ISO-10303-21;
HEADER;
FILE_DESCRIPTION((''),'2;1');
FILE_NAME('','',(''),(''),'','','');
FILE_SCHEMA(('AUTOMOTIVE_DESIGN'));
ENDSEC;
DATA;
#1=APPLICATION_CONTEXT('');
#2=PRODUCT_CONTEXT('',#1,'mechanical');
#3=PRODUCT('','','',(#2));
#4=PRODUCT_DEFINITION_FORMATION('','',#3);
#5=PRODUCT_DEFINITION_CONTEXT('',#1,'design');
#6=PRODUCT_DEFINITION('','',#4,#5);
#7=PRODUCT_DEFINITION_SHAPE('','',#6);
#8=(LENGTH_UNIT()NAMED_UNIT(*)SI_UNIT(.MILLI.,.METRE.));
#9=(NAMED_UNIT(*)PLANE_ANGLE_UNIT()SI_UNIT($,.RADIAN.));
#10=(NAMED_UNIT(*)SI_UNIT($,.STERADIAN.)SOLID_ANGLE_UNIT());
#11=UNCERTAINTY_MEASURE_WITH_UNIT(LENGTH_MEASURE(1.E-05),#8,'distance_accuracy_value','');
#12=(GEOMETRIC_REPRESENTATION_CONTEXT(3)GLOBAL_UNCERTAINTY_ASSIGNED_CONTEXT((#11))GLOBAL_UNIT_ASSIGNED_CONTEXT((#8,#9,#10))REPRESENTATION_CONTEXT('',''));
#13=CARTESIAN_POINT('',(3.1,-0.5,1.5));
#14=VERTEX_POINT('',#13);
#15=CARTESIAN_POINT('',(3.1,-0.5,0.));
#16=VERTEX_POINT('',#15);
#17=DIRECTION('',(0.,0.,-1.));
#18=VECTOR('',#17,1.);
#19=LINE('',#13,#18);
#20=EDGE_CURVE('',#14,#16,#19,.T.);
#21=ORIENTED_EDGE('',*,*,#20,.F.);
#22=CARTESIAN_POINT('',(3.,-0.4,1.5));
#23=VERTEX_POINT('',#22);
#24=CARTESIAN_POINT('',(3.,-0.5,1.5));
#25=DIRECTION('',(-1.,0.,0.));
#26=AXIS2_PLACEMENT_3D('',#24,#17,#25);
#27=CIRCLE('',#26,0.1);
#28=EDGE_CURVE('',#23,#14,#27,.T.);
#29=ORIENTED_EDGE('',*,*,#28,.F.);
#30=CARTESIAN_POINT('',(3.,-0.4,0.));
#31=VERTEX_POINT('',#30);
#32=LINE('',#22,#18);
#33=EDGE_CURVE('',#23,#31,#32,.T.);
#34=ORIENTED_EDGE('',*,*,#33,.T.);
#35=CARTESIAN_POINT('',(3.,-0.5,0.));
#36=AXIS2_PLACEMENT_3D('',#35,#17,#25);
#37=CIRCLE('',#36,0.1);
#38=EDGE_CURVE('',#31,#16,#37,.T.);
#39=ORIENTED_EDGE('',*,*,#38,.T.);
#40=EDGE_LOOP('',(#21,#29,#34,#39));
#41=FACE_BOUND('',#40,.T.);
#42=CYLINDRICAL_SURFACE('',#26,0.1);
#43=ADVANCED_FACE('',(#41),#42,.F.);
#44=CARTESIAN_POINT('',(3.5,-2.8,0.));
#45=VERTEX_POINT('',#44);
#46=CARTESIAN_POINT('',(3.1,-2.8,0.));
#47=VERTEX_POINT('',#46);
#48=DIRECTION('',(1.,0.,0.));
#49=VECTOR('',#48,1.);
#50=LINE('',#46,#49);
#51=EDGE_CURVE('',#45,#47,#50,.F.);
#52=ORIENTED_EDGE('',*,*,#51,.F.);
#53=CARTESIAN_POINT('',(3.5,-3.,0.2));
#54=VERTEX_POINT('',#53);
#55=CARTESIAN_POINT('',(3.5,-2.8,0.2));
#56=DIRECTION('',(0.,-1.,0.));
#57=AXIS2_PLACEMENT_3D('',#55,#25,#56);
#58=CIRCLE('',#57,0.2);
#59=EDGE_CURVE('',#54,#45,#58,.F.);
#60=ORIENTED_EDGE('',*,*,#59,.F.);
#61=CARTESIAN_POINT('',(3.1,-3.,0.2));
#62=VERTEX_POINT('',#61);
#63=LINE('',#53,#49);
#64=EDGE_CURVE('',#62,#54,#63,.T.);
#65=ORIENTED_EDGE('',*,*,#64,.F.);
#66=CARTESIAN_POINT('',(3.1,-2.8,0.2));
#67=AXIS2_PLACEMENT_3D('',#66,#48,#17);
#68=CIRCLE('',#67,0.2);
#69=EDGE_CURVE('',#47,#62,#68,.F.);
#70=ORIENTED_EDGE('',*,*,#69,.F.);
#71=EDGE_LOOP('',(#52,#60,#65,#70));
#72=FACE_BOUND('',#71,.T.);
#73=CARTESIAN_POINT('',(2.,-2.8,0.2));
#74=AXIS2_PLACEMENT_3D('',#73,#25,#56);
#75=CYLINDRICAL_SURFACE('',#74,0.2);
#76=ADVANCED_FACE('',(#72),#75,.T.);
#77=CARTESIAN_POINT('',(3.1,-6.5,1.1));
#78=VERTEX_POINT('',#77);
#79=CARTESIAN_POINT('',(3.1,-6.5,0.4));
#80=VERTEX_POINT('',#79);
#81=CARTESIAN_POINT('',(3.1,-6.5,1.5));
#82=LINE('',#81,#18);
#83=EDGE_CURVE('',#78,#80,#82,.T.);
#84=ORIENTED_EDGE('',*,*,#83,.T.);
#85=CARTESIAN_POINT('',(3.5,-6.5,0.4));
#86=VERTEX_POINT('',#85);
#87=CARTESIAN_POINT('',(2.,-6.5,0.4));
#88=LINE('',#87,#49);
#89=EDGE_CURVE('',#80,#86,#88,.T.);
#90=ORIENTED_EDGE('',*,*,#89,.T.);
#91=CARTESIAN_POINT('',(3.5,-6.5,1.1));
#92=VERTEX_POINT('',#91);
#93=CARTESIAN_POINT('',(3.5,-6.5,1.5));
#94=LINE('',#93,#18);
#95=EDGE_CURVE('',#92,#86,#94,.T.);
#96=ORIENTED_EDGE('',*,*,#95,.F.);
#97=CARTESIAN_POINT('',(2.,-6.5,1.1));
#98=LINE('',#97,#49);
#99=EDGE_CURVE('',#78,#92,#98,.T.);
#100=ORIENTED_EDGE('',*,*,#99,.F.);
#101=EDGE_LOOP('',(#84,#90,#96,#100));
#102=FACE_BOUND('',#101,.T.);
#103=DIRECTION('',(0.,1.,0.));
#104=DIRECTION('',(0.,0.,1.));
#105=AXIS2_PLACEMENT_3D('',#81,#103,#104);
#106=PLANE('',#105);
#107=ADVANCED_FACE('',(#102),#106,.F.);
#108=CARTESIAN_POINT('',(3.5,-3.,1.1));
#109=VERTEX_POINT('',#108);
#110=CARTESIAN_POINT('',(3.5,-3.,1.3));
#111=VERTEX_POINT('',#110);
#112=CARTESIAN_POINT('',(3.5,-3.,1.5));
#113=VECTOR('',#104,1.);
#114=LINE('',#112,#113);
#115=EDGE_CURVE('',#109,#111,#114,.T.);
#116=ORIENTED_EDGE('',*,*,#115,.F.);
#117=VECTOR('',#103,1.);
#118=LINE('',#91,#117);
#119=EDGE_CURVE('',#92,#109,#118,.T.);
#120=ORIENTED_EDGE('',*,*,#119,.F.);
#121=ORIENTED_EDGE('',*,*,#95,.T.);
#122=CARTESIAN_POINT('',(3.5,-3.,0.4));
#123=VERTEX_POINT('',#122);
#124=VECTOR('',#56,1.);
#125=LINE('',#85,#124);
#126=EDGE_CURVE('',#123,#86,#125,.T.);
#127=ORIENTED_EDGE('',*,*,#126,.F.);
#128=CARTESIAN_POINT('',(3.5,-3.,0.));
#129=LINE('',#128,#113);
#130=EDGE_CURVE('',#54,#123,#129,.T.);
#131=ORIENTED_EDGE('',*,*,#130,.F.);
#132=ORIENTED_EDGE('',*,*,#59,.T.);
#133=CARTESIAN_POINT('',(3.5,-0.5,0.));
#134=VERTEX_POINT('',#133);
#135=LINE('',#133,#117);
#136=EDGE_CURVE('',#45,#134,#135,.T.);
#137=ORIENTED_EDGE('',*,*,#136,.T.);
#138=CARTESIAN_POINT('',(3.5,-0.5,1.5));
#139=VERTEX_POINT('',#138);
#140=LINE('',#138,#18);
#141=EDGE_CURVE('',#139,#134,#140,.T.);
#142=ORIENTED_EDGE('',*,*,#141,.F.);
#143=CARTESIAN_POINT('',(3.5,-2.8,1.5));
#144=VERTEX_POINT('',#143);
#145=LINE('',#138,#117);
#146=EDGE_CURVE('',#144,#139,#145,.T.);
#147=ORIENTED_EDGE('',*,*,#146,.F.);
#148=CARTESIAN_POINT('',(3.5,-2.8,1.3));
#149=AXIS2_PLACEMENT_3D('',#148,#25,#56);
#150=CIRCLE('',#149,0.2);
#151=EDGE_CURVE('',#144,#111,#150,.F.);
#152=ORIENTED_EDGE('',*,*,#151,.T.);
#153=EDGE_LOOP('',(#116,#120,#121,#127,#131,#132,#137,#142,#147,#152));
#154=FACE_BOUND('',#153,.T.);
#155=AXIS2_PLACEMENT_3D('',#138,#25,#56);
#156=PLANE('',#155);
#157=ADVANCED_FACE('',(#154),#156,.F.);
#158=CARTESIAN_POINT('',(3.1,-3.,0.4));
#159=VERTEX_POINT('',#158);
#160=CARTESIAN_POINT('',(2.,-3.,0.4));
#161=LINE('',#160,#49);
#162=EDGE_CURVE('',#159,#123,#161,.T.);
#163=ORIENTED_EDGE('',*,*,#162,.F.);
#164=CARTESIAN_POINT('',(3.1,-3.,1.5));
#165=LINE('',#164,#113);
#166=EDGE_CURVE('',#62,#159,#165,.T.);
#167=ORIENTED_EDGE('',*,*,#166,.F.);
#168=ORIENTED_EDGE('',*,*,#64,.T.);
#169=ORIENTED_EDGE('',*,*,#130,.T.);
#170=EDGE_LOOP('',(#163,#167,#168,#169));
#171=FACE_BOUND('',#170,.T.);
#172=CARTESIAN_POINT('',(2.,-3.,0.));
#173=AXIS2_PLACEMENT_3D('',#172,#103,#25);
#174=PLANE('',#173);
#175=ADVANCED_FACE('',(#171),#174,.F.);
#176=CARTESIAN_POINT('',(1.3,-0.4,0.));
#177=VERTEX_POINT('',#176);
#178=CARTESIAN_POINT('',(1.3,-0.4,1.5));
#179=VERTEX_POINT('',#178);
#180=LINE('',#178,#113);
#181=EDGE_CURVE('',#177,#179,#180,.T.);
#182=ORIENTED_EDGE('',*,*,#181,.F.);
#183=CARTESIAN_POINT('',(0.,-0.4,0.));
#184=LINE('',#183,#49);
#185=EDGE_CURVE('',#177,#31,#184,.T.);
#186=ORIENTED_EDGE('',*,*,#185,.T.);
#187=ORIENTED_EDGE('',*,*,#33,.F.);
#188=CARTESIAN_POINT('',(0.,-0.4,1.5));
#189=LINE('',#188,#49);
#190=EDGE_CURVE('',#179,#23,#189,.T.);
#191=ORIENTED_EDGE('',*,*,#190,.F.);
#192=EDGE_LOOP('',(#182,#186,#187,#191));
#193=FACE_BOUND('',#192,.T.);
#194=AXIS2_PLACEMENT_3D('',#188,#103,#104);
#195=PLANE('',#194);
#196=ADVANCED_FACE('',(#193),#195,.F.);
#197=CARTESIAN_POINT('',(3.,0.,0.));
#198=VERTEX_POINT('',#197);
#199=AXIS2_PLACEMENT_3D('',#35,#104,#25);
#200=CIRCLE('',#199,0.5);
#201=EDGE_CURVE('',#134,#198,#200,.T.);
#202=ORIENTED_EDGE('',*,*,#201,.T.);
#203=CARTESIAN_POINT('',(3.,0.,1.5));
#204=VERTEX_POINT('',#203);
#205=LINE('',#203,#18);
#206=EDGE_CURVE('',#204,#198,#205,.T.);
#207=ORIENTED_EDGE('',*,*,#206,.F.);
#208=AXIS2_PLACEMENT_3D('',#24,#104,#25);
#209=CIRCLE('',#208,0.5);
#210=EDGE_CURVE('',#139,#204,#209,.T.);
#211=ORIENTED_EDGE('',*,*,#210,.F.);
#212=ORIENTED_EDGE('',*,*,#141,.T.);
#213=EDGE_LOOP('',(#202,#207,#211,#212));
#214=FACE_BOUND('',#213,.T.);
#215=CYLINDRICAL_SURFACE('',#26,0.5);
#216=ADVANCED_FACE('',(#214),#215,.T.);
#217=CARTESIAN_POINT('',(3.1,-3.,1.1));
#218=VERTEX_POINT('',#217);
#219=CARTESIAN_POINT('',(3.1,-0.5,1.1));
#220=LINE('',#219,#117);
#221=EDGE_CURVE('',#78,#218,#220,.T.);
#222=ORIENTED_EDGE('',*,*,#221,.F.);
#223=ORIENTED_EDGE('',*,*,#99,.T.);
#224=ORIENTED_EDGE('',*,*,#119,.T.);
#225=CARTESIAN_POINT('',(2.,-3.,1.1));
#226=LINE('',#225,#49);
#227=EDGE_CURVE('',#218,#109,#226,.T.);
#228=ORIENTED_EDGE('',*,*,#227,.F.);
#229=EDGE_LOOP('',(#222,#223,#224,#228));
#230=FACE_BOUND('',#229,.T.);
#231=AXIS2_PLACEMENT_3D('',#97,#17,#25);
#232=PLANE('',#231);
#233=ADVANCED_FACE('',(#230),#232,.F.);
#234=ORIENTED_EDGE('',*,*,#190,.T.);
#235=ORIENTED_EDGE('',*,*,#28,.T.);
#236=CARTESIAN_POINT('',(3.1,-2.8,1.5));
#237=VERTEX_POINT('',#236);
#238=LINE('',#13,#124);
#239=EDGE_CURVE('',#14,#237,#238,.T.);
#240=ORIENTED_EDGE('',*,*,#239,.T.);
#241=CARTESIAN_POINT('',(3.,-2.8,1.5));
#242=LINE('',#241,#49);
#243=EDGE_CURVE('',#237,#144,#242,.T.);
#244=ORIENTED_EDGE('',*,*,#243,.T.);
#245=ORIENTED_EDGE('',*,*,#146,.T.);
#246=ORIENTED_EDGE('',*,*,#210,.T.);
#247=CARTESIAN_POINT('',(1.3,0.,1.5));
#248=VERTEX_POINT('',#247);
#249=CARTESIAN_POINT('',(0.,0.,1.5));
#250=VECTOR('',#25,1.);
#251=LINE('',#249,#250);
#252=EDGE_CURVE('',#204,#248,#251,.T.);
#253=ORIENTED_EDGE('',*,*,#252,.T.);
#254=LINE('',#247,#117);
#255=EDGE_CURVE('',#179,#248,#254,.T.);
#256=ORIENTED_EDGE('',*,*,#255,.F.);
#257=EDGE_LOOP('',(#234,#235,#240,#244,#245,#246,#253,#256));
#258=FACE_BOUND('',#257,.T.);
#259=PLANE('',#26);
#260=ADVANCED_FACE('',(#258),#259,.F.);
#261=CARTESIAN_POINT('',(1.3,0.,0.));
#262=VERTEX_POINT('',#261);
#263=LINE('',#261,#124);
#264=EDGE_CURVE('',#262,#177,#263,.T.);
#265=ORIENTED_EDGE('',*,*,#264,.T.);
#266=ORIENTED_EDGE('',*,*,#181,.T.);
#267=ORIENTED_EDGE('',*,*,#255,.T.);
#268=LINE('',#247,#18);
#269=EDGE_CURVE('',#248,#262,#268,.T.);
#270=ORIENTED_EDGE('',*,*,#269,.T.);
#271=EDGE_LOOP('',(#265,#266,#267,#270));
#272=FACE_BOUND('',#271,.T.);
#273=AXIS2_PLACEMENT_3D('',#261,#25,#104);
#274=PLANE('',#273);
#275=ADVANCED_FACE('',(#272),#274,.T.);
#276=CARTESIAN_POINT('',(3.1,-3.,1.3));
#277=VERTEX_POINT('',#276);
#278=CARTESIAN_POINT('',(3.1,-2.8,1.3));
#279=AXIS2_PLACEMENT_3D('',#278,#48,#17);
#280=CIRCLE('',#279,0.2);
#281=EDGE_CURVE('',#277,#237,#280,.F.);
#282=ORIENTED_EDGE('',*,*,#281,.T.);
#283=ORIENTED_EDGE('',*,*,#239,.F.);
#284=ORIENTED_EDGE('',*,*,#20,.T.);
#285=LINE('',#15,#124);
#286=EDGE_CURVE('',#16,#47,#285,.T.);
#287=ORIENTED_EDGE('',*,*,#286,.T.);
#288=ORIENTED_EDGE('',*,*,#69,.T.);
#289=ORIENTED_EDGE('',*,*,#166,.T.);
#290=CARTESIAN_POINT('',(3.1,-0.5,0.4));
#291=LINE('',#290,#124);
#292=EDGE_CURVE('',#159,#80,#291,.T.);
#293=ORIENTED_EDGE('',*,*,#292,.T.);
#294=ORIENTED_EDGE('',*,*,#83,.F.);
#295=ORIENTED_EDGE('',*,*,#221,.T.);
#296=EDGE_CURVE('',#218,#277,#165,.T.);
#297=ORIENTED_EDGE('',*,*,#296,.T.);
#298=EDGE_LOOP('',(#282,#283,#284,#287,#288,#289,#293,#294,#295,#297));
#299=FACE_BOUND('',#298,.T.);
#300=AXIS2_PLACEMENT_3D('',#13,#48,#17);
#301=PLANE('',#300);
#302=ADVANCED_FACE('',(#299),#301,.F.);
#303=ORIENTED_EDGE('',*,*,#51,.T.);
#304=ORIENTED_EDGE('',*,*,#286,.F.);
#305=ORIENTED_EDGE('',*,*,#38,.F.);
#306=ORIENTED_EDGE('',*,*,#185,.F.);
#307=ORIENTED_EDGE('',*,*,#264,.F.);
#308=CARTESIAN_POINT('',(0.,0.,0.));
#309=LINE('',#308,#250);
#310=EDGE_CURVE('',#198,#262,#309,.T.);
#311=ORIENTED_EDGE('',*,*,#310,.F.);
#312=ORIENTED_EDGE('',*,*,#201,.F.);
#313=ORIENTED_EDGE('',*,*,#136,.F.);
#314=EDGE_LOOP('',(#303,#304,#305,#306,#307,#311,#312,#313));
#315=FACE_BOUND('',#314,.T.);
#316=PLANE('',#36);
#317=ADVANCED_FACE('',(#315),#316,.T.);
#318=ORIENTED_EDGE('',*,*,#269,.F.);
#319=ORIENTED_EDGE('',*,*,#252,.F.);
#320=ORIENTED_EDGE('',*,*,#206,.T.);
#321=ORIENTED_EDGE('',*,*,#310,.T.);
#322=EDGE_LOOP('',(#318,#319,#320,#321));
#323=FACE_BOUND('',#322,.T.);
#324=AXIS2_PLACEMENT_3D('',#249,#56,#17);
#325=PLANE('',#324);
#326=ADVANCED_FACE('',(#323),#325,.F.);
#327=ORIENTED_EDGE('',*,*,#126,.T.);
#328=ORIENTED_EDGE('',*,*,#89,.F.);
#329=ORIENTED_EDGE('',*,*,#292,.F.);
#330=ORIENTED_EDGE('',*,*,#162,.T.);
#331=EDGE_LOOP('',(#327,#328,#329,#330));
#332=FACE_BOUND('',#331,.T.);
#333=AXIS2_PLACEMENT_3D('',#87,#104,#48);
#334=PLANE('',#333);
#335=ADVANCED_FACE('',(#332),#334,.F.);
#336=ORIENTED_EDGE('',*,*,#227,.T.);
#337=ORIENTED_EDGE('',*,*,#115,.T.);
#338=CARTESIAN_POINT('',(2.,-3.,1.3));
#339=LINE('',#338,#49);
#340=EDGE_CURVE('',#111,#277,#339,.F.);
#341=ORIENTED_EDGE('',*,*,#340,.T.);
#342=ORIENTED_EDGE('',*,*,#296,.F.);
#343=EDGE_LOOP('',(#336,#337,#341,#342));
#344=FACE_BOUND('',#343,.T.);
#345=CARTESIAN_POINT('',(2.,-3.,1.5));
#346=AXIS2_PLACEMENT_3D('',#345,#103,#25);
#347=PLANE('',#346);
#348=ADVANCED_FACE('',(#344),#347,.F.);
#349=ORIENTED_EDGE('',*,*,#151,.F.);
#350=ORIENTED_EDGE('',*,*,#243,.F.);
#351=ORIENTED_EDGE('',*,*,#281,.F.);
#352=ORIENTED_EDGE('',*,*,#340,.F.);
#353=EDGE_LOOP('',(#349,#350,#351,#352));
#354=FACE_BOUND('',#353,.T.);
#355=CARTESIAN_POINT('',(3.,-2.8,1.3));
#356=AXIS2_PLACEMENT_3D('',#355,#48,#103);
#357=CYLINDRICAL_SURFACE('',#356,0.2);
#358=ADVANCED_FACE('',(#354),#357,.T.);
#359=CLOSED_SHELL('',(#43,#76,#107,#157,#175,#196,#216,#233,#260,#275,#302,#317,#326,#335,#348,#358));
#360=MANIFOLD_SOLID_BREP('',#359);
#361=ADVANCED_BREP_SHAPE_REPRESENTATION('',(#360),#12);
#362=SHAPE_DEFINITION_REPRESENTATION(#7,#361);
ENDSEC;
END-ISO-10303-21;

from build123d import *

# Parameters (mm, degrees)
BOSS_EXTRUDE1_DEPTH = 1.5
SKETCH3_W           = 0.4
SKETCH3_H           = 3.5
CUT_EXTRUDE1_DEPTH  = 1.5
FILLET2_R           = 0.2
SKETCH4_W           = 1.5
SKETCH4_H           = 0.4
CUT_EXTRUDE2_DEPTH  = 1.3


with BuildPart() as part:
    # Sketch2 → Boss-Extrude1 (new body)
    with BuildSketch(Plane.XY):
        with BuildLine():
            Line((0, 0), (3, 0))
            ThreePointArc((3, 0), (3.353553391, -0.146446609), (3.5, -0.5))
            Line((3.5, -0.5), (3.5, -6.5))
            Line((3.5, -6.5), (3.1, -6.5))
            Line((3.1, -6.5), (3.1, -0.5))
            ThreePointArc((3.1, -0.5), (3.070710678, -0.429289322), (3, -0.4))
            Line((3, -0.4), (0, -0.4))
            Line((0, -0.4), (0, 0))
        make_face()
    extrude(amount=BOSS_EXTRUDE1_DEPTH)

    # Sketch3 → Cut-Extrude1 (cut)
    with BuildSketch(Plane(origin=(3.5, 0, 0), x_dir=(0, 0, -1), z_dir=(1, 0, 0))):
        with Locations((-0.2, -4.75)):
            Rectangle(SKETCH3_W, SKETCH3_H)
        with Locations((-1.3, -4.75)):
            Rectangle(SKETCH3_W, SKETCH3_H)
    extrude(amount=-CUT_EXTRUDE1_DEPTH, mode=Mode.SUBTRACT)

    # Fillet2
    fillet2_edges = [part.edges().sort_by_distance(p)[0] for p in [
        (3.3, -3, 1.5),
        (3.3, -3, 0),
    ]]
    fillet(fillet2_edges, radius=FILLET2_R)

    # Sketch4 → Cut-Extrude2 (cut)
    with BuildSketch(Plane.ZY):
        with Locations((0.75, -0.2)):
            Rectangle(SKETCH4_W, SKETCH4_H)
    extrude(amount=-CUT_EXTRUDE2_DEPTH, mode=Mode.SUBTRACT)


solid = part.part
